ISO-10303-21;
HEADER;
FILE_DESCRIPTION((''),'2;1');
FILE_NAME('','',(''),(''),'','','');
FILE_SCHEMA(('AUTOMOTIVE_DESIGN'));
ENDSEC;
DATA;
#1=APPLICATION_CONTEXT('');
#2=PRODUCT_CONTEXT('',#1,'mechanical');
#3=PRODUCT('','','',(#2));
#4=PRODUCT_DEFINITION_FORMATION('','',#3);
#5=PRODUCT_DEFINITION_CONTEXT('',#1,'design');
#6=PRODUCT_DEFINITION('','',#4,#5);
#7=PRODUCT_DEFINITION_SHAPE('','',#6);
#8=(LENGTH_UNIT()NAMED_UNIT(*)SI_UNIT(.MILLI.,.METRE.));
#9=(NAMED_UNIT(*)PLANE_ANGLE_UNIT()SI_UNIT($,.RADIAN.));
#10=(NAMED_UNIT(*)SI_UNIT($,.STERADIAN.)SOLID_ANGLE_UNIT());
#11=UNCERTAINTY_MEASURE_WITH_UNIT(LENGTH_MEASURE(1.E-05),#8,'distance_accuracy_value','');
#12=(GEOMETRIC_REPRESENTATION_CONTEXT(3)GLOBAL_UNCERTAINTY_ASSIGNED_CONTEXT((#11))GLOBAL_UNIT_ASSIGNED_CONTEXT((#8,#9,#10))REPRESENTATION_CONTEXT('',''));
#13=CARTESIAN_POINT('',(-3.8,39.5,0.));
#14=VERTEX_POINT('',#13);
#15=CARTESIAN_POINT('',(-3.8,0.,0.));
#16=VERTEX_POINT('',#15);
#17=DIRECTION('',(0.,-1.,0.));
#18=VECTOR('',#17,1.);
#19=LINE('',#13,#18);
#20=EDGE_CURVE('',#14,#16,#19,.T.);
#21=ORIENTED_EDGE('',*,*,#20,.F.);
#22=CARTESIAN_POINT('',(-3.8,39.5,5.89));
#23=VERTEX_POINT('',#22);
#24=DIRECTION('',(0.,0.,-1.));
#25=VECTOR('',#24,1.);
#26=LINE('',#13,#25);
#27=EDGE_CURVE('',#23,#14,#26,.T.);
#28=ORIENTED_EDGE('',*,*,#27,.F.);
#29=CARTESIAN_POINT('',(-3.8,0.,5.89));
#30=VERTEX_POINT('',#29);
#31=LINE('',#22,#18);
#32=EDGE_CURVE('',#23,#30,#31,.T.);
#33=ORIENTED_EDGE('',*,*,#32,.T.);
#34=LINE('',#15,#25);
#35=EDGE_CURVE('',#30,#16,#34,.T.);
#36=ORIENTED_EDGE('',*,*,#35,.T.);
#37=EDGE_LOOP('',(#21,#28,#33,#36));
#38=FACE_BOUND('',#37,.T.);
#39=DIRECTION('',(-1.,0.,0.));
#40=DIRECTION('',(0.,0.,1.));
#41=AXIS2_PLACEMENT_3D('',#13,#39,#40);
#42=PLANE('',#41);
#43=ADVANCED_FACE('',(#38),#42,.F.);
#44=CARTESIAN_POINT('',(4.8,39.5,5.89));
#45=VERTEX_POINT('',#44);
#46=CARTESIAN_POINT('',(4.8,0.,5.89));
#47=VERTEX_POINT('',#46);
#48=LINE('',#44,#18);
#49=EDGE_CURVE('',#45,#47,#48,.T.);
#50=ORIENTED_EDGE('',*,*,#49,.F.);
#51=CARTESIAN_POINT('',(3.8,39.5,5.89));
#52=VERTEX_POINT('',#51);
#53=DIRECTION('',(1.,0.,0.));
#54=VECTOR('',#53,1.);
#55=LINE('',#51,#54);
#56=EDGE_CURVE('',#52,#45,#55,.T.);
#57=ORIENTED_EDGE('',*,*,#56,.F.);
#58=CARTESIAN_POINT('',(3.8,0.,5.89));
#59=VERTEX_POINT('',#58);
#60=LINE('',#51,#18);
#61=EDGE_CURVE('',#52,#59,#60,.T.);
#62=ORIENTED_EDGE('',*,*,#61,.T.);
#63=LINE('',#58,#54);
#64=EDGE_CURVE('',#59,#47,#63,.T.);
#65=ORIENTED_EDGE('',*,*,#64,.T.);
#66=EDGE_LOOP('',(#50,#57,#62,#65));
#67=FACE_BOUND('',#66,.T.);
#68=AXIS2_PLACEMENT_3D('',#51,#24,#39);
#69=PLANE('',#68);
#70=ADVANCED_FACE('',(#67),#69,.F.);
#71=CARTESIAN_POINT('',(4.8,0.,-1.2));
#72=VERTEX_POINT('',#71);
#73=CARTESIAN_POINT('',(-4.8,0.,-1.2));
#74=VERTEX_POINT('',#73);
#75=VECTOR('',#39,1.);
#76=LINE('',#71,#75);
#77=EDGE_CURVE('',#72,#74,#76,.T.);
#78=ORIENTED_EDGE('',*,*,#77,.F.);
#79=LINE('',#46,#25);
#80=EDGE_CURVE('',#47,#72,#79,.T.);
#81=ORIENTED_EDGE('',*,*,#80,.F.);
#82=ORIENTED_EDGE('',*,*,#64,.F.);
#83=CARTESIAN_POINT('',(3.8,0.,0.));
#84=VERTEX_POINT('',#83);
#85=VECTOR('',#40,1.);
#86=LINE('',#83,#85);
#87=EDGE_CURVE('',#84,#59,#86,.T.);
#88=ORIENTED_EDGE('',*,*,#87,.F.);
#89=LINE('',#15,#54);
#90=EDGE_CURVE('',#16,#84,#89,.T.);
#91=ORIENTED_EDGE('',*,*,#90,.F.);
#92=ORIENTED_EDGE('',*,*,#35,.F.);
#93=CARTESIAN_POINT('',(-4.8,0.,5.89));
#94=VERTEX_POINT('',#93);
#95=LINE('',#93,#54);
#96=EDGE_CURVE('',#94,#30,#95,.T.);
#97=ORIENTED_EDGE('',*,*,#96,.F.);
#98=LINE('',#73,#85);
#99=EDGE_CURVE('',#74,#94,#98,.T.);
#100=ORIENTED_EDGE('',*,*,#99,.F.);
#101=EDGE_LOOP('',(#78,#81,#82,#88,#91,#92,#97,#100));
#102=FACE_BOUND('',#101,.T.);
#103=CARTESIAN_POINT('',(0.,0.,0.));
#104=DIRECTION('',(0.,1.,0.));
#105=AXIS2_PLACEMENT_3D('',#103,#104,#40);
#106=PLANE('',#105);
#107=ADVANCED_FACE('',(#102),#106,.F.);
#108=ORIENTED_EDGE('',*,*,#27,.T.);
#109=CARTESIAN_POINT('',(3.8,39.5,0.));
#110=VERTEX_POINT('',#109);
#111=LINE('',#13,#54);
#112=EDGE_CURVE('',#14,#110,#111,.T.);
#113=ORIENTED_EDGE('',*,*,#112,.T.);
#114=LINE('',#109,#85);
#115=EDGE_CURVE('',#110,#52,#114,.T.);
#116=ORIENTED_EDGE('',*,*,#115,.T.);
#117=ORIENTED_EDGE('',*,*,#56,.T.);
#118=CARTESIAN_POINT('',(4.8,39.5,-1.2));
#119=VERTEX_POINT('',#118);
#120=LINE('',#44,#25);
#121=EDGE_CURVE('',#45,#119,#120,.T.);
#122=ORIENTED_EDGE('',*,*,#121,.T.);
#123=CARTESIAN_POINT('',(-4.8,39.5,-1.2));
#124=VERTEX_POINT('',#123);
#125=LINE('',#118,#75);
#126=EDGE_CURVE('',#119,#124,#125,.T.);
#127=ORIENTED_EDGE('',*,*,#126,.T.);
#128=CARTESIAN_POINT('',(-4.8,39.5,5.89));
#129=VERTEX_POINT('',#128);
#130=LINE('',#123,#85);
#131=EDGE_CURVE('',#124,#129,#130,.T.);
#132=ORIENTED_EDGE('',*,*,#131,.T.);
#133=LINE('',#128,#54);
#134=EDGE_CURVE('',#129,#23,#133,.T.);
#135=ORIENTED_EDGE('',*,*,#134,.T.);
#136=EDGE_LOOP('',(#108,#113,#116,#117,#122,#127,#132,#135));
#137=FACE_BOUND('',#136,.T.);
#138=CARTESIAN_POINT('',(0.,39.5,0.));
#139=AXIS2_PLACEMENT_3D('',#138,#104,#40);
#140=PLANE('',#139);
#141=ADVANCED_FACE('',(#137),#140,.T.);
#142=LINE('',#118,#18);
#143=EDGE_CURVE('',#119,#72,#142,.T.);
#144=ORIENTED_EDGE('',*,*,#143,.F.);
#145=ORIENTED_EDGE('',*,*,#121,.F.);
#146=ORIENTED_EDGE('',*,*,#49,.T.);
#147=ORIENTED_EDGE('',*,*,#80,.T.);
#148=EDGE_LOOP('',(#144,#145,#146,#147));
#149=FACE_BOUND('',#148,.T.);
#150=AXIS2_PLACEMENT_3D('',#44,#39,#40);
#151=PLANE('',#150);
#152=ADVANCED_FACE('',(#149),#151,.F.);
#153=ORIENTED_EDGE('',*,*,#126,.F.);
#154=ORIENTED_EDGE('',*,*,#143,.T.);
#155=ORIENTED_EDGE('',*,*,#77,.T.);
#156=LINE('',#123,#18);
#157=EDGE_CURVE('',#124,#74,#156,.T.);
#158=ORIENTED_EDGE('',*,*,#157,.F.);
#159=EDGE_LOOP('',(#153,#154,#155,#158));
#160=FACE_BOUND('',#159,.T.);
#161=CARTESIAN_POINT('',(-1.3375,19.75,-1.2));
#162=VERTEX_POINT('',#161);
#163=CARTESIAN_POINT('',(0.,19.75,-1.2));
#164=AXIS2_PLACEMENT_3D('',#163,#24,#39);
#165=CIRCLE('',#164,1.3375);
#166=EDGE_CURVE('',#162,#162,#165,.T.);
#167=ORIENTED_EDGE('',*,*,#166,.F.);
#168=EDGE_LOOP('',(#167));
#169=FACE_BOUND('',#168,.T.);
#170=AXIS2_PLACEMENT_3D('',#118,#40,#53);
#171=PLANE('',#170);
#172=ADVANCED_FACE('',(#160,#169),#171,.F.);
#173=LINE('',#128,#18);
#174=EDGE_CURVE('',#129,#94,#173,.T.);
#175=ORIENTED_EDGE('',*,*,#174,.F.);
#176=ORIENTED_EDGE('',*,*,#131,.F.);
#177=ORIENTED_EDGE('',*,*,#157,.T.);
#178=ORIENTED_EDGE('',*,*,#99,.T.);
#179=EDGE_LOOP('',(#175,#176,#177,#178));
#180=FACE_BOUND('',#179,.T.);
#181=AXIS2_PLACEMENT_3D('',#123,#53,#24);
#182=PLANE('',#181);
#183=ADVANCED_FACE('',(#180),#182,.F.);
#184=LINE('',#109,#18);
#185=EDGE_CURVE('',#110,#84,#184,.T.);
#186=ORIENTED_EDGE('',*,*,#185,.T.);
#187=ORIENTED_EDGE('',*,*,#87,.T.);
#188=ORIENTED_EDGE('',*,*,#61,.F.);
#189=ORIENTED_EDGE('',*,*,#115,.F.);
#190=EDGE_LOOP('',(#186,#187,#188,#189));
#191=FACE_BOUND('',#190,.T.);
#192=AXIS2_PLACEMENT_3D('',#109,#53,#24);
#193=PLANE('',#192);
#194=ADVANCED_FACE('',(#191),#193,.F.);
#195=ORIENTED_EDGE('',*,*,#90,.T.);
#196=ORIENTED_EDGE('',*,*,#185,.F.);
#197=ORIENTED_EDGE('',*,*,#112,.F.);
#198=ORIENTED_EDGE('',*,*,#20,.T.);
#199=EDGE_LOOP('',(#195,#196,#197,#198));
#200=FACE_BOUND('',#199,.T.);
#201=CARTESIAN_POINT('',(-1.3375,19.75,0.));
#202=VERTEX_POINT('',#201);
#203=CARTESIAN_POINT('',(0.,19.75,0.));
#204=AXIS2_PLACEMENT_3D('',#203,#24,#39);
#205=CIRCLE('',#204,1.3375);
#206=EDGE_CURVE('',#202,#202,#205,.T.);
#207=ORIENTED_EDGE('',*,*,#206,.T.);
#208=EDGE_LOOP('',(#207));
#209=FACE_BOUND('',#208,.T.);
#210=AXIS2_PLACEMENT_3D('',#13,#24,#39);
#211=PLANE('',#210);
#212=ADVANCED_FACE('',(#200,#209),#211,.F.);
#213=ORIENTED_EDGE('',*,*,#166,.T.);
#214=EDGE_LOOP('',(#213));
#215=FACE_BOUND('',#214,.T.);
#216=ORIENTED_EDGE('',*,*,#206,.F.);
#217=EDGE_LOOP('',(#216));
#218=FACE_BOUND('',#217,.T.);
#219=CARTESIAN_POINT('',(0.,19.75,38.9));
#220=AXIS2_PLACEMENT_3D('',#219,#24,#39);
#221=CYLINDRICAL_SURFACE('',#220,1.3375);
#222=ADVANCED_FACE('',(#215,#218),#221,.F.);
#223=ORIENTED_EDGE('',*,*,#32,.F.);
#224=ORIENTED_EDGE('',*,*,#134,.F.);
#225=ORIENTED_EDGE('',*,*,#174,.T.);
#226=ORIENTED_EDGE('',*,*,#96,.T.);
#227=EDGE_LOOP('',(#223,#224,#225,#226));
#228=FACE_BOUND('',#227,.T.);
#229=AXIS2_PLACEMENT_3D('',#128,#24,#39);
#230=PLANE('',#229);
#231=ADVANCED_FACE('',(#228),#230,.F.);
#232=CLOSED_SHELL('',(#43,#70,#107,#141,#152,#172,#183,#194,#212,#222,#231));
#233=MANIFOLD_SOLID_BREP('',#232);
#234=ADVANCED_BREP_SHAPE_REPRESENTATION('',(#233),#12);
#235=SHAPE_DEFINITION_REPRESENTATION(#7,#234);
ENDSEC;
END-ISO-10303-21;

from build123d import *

# Parameters (mm, degrees)
BOSS_EXTRUDE1_DEPTH = 39.5
SKETCH3_R           = 1.3375
CUT_EXTRUDE1_DEPTH  = 40.1


with BuildPart() as part:
    # Sketch2 → Boss-Extrude1 (new body)
    with BuildSketch(Plane(origin=(0, 0, 0), x_dir=(1, 0, 0), z_dir=(0, 1, 0))):
        Polygon((-3.8, 0), (3.8, 0), (3.8, -5.89), (4.8, -5.89), (4.8, 1.2), (-4.8, 1.2), (-4.8, -5.89), (-3.8, -5.89), align=None)
    extrude(amount=BOSS_EXTRUDE1_DEPTH)

    # Sketch3 → Cut-Extrude1 (cut)
    with BuildSketch(Plane(origin=(0, 0, -1.2), x_dir=(-1, 0, 0), z_dir=(0, 0, -1))):
        with Locations((0, 19.75)):
            Circle(SKETCH3_R)
    extrude(amount=-CUT_EXTRUDE1_DEPTH, mode=Mode.SUBTRACT)


solid = part.part
